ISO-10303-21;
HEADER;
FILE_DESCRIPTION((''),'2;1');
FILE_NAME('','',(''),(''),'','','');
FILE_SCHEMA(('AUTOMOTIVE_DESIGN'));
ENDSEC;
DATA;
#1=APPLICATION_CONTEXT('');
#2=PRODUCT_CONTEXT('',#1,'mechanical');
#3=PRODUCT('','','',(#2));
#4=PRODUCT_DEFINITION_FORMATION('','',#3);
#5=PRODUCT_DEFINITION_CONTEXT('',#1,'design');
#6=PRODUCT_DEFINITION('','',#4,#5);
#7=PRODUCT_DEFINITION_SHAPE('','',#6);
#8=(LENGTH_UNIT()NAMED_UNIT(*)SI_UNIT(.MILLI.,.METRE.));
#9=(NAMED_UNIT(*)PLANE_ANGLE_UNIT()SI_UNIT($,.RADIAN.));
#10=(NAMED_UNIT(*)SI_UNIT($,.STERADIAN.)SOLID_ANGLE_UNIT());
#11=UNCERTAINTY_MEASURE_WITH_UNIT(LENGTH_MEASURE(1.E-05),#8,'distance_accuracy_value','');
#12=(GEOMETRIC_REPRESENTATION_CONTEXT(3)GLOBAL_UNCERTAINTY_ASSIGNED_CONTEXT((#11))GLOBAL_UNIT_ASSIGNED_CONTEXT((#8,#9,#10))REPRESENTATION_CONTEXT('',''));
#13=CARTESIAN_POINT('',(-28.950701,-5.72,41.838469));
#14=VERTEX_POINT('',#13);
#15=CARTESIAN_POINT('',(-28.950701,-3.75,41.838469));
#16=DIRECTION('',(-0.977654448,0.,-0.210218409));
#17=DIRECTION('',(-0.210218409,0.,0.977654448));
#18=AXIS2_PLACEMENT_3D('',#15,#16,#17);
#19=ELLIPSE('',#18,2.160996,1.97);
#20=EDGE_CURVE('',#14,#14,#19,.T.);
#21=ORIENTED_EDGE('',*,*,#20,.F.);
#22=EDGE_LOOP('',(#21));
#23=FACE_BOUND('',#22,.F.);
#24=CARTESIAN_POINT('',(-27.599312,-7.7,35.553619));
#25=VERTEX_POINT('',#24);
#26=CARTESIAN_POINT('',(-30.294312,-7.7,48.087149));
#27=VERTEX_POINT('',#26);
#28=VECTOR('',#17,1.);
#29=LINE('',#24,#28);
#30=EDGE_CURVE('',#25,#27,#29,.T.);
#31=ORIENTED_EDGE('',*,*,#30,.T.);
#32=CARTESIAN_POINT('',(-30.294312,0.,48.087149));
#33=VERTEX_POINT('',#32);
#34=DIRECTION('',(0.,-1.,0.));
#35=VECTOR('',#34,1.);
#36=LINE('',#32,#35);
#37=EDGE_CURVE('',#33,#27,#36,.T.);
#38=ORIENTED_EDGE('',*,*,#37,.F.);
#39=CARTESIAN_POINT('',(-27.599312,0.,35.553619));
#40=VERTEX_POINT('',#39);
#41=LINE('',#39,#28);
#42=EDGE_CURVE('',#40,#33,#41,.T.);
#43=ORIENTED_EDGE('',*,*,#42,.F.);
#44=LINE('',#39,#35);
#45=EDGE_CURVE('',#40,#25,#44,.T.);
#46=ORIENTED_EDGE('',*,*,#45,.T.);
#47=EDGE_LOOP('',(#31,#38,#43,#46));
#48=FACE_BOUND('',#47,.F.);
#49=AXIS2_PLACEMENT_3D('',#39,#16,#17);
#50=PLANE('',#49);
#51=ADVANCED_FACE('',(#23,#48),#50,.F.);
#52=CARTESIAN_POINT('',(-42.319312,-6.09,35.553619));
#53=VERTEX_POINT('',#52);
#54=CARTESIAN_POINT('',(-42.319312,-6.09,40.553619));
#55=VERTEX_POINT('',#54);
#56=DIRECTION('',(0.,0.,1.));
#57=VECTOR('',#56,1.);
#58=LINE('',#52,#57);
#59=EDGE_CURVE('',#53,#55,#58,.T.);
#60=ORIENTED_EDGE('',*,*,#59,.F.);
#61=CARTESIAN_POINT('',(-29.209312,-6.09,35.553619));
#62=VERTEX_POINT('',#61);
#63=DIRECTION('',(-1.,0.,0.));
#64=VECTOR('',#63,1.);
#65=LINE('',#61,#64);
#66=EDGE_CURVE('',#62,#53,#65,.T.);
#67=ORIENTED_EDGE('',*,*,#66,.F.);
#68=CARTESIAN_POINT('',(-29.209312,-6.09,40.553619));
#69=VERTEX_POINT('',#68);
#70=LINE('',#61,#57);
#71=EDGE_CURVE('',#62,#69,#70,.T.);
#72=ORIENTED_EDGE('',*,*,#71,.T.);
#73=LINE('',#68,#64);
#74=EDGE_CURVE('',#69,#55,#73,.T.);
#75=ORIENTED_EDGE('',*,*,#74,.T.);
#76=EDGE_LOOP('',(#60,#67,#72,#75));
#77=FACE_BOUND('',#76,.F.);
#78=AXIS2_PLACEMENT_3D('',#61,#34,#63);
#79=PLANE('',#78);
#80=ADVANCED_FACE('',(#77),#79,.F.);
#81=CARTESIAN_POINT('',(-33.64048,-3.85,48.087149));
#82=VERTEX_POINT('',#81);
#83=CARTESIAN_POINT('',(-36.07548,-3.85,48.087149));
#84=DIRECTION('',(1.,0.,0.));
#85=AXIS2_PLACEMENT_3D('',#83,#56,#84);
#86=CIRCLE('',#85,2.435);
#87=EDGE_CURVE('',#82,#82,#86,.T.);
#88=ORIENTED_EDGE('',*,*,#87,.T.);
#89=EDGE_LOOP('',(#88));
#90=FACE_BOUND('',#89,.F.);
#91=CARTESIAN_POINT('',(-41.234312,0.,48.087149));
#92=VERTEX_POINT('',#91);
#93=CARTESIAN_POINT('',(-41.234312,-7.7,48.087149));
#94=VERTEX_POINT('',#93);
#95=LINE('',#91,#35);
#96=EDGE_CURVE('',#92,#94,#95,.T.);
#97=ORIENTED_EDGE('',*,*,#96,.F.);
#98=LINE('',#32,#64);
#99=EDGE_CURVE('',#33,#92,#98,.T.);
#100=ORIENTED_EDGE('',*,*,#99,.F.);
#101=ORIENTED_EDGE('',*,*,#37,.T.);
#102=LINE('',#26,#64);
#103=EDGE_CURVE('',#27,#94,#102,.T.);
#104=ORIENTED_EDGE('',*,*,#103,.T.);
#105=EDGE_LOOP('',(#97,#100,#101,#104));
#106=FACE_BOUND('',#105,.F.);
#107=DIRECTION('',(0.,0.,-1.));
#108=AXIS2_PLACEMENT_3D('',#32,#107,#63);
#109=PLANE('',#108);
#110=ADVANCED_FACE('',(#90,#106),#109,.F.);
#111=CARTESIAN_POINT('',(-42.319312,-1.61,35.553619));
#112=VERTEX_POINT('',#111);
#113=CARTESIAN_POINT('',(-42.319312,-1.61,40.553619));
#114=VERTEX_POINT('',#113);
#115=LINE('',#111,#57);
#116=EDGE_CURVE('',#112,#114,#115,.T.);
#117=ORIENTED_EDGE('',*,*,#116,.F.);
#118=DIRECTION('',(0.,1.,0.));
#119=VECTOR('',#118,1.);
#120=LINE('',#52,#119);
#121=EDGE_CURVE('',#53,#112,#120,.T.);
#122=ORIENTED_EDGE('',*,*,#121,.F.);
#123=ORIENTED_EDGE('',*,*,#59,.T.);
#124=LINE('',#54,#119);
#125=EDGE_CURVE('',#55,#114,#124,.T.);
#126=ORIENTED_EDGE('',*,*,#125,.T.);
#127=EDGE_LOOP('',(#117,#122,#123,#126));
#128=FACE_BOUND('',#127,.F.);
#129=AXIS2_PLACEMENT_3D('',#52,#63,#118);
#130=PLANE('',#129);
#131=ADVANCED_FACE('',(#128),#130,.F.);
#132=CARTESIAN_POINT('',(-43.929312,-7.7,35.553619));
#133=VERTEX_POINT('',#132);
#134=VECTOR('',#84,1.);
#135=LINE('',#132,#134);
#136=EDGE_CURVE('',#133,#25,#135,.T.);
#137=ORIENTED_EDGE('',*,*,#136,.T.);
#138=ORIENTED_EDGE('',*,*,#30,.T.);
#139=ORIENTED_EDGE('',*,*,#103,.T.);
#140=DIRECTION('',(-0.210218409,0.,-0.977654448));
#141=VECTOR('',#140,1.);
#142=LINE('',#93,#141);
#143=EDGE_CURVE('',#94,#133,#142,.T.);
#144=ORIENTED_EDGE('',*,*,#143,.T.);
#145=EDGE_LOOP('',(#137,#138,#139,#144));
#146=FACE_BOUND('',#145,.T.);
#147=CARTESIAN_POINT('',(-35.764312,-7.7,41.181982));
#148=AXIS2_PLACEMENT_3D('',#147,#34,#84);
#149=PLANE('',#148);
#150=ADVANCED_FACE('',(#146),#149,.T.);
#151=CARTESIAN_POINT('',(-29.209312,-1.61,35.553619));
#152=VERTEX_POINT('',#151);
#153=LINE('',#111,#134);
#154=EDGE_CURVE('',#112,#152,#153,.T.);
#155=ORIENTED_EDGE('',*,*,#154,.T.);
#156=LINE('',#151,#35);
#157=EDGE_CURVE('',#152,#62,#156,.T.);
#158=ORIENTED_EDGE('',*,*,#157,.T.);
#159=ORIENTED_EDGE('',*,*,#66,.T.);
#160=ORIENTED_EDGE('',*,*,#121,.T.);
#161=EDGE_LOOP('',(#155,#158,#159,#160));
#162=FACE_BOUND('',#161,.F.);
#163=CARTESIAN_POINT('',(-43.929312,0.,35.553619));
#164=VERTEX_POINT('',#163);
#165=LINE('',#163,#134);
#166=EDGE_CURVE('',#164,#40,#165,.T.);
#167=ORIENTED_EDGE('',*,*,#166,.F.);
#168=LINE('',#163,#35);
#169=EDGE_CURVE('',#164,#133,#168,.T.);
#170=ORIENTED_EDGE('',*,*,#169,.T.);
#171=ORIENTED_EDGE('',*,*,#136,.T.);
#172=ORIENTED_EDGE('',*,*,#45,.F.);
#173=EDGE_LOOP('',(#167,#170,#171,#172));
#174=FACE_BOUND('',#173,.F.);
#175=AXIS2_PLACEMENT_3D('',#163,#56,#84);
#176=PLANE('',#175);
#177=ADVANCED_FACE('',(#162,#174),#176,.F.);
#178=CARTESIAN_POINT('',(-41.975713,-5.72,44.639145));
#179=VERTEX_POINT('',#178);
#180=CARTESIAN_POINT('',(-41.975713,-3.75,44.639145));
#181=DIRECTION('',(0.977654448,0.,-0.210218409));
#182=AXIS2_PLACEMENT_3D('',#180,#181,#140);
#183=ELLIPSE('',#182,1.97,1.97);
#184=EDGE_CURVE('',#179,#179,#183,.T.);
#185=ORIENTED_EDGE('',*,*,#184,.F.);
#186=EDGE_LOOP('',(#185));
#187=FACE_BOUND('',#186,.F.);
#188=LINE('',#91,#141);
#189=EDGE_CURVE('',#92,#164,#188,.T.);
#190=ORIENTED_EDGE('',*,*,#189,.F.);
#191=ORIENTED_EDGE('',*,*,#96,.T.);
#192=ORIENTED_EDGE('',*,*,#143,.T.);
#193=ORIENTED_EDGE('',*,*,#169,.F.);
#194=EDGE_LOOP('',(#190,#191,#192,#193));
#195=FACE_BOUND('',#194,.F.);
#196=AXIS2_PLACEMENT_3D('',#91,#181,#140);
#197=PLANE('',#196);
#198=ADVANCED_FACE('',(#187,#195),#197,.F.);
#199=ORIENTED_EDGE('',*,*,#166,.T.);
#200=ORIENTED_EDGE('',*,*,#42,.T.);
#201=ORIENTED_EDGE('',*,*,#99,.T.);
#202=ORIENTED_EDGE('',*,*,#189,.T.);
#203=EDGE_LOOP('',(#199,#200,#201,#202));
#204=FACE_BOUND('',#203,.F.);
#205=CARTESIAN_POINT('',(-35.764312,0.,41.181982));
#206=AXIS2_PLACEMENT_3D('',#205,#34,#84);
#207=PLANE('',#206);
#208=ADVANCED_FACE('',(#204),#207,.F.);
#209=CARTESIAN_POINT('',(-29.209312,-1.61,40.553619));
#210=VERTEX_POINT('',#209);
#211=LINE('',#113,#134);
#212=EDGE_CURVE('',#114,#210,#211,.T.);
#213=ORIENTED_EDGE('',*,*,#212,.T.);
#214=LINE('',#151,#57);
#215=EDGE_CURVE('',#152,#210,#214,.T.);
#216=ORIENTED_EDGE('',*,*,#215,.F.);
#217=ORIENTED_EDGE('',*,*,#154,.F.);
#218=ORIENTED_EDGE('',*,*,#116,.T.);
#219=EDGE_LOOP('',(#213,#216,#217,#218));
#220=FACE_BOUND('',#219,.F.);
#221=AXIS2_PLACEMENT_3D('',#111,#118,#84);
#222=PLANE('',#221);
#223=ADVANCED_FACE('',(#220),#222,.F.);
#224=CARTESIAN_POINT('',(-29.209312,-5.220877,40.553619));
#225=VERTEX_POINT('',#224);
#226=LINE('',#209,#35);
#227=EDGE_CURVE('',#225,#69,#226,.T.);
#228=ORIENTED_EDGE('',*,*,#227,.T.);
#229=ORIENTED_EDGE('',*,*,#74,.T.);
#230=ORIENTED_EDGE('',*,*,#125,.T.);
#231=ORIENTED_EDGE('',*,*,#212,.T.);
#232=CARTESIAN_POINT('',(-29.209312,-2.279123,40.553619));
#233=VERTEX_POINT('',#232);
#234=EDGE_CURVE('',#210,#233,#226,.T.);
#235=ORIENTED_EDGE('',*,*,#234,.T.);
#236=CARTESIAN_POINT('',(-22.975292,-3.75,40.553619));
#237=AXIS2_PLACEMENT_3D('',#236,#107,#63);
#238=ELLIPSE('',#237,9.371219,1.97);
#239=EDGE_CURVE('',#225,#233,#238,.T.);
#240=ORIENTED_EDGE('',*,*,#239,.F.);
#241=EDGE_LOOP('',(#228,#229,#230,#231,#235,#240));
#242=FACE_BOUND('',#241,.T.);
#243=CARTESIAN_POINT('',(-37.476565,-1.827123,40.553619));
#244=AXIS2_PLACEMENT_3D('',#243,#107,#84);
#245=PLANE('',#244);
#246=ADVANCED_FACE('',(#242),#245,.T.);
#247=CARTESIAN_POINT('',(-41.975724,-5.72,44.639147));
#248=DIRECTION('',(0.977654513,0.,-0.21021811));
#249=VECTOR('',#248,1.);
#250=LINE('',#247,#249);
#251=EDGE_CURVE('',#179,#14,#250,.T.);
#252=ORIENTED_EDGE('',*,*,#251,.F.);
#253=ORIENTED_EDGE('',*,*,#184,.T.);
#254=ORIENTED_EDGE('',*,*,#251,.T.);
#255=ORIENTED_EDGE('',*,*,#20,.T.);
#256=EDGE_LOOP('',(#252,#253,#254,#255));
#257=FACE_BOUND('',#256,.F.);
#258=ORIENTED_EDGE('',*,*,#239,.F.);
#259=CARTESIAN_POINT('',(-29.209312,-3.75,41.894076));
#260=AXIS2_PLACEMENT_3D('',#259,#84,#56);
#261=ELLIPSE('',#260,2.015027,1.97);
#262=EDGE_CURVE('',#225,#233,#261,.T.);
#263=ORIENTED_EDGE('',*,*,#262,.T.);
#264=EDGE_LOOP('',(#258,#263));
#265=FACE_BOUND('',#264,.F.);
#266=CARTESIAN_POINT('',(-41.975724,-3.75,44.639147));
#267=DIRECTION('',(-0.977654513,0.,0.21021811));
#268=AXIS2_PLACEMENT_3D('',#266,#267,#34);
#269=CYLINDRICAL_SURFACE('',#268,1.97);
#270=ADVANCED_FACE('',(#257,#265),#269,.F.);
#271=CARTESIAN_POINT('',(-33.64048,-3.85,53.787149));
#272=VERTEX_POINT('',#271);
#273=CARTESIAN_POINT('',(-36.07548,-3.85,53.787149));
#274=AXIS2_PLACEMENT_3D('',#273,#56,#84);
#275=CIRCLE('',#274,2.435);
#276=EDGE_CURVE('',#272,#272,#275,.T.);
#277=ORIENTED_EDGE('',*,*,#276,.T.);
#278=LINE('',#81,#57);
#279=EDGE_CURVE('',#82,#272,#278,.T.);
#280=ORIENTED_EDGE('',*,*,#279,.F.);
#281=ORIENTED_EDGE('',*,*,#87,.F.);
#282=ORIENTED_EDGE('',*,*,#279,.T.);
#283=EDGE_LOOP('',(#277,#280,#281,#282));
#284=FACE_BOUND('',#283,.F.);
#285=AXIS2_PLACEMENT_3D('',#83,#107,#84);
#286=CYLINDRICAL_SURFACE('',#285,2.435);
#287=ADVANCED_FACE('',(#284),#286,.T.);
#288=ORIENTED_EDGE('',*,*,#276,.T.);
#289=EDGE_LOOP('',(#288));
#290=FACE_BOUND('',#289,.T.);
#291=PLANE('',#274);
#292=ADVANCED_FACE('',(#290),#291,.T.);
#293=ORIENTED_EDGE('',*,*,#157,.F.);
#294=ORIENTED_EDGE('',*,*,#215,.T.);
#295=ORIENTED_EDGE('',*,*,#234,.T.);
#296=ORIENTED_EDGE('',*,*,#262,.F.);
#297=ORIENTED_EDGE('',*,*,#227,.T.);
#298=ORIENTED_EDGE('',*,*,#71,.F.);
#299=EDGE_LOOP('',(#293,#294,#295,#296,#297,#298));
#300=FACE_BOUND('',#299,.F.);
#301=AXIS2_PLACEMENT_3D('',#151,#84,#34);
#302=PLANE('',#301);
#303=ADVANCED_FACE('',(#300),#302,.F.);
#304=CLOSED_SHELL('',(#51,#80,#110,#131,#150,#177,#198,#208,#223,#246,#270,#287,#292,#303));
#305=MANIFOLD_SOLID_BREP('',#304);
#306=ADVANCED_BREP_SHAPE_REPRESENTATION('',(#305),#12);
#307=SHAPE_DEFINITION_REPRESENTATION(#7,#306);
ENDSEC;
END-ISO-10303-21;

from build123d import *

# Parameters (mm, degrees)
F1_DEPTH = 7.7
F2_R     = 1.97
F3_DEPTH = 25
F4_R     = 2.435
F5_DEPTH = 5.7
F7_DEPTH = 5


with BuildPart() as f1:
    # F0 (on Front) → F1 (new body)
    with BuildSketch(Plane.XZ):
        Polygon((-30.294312, 48.087149), (-41.234312, 48.087149), (-43.929312, 35.553619), (-27.599312, 35.553619), align=None)
    extrude(amount=F1_DEPTH)

    # F2 (on face) → F3 (cut)
    with BuildSketch(Plane(origin=(-49.295012, 0, 10.599572), x_dir=(0, -1, 0), z_dir=(-0.977654, 0, 0.210218))):
        with Locations((3.75, 34.817591)):
            Circle(F2_R)
    extrude(amount=-F3_DEPTH, mode=Mode.SUBTRACT)

    # F4 (on face) → F5 (join)
    with BuildSketch(Plane.XY.offset(48.087149)):
        with Locations((-36.07548, -3.85)):
            Circle(F4_R)
    extrude(amount=F5_DEPTH)

    # F6 (on face) → F7 (cut)
    with BuildSketch(Plane(origin=(0, 0, 35.553619), x_dir=(1, 0, 0), z_dir=(0, 0, -1))):
        Polygon((-37.525672, 2.131142), (-37.894156, 1.61), (-37.184659, 1.61), (-37.184659, 2.131142), align=None)
        Polygon((-34.179285, 2.131142), (-34.179285, 1.61), (-33.376172, 1.61), (-33.782143, 2.131142), align=None)
        Polygon((-37.184659, 6.09), (-37.894156, 6.09), (-37.525672, 5.577996), (-37.184659, 5.577996), align=None)
        Polygon((-33.376172, 6.09), (-34.179285, 6.09), (-34.179285, 5.577996), (-33.782143, 5.577996), align=None)
        Polygon((-37.894156, 6.09), (-42.319312, 6.09), (-42.319312, 1.61), (-37.894156, 1.61), (-37.525672, 2.131142), (-37.184659, 2.131142), (-37.184659, 1.61), (-34.179285, 1.61), (-34.179285, 2.131142), (-33.782143, 2.131142), (-33.376172, 1.61), (-29.209312, 1.61), (-29.209312, 6.09), (-33.376172, 6.09), (-33.782143, 5.577996), (-34.179285, 5.577996), (-34.179285, 6.09), (-37.184659, 6.09), (-37.184659, 5.577996), (-37.525672, 5.577996), align=None)
    extrude(amount=-F7_DEPTH, mode=Mode.SUBTRACT)


solid = f1.part
